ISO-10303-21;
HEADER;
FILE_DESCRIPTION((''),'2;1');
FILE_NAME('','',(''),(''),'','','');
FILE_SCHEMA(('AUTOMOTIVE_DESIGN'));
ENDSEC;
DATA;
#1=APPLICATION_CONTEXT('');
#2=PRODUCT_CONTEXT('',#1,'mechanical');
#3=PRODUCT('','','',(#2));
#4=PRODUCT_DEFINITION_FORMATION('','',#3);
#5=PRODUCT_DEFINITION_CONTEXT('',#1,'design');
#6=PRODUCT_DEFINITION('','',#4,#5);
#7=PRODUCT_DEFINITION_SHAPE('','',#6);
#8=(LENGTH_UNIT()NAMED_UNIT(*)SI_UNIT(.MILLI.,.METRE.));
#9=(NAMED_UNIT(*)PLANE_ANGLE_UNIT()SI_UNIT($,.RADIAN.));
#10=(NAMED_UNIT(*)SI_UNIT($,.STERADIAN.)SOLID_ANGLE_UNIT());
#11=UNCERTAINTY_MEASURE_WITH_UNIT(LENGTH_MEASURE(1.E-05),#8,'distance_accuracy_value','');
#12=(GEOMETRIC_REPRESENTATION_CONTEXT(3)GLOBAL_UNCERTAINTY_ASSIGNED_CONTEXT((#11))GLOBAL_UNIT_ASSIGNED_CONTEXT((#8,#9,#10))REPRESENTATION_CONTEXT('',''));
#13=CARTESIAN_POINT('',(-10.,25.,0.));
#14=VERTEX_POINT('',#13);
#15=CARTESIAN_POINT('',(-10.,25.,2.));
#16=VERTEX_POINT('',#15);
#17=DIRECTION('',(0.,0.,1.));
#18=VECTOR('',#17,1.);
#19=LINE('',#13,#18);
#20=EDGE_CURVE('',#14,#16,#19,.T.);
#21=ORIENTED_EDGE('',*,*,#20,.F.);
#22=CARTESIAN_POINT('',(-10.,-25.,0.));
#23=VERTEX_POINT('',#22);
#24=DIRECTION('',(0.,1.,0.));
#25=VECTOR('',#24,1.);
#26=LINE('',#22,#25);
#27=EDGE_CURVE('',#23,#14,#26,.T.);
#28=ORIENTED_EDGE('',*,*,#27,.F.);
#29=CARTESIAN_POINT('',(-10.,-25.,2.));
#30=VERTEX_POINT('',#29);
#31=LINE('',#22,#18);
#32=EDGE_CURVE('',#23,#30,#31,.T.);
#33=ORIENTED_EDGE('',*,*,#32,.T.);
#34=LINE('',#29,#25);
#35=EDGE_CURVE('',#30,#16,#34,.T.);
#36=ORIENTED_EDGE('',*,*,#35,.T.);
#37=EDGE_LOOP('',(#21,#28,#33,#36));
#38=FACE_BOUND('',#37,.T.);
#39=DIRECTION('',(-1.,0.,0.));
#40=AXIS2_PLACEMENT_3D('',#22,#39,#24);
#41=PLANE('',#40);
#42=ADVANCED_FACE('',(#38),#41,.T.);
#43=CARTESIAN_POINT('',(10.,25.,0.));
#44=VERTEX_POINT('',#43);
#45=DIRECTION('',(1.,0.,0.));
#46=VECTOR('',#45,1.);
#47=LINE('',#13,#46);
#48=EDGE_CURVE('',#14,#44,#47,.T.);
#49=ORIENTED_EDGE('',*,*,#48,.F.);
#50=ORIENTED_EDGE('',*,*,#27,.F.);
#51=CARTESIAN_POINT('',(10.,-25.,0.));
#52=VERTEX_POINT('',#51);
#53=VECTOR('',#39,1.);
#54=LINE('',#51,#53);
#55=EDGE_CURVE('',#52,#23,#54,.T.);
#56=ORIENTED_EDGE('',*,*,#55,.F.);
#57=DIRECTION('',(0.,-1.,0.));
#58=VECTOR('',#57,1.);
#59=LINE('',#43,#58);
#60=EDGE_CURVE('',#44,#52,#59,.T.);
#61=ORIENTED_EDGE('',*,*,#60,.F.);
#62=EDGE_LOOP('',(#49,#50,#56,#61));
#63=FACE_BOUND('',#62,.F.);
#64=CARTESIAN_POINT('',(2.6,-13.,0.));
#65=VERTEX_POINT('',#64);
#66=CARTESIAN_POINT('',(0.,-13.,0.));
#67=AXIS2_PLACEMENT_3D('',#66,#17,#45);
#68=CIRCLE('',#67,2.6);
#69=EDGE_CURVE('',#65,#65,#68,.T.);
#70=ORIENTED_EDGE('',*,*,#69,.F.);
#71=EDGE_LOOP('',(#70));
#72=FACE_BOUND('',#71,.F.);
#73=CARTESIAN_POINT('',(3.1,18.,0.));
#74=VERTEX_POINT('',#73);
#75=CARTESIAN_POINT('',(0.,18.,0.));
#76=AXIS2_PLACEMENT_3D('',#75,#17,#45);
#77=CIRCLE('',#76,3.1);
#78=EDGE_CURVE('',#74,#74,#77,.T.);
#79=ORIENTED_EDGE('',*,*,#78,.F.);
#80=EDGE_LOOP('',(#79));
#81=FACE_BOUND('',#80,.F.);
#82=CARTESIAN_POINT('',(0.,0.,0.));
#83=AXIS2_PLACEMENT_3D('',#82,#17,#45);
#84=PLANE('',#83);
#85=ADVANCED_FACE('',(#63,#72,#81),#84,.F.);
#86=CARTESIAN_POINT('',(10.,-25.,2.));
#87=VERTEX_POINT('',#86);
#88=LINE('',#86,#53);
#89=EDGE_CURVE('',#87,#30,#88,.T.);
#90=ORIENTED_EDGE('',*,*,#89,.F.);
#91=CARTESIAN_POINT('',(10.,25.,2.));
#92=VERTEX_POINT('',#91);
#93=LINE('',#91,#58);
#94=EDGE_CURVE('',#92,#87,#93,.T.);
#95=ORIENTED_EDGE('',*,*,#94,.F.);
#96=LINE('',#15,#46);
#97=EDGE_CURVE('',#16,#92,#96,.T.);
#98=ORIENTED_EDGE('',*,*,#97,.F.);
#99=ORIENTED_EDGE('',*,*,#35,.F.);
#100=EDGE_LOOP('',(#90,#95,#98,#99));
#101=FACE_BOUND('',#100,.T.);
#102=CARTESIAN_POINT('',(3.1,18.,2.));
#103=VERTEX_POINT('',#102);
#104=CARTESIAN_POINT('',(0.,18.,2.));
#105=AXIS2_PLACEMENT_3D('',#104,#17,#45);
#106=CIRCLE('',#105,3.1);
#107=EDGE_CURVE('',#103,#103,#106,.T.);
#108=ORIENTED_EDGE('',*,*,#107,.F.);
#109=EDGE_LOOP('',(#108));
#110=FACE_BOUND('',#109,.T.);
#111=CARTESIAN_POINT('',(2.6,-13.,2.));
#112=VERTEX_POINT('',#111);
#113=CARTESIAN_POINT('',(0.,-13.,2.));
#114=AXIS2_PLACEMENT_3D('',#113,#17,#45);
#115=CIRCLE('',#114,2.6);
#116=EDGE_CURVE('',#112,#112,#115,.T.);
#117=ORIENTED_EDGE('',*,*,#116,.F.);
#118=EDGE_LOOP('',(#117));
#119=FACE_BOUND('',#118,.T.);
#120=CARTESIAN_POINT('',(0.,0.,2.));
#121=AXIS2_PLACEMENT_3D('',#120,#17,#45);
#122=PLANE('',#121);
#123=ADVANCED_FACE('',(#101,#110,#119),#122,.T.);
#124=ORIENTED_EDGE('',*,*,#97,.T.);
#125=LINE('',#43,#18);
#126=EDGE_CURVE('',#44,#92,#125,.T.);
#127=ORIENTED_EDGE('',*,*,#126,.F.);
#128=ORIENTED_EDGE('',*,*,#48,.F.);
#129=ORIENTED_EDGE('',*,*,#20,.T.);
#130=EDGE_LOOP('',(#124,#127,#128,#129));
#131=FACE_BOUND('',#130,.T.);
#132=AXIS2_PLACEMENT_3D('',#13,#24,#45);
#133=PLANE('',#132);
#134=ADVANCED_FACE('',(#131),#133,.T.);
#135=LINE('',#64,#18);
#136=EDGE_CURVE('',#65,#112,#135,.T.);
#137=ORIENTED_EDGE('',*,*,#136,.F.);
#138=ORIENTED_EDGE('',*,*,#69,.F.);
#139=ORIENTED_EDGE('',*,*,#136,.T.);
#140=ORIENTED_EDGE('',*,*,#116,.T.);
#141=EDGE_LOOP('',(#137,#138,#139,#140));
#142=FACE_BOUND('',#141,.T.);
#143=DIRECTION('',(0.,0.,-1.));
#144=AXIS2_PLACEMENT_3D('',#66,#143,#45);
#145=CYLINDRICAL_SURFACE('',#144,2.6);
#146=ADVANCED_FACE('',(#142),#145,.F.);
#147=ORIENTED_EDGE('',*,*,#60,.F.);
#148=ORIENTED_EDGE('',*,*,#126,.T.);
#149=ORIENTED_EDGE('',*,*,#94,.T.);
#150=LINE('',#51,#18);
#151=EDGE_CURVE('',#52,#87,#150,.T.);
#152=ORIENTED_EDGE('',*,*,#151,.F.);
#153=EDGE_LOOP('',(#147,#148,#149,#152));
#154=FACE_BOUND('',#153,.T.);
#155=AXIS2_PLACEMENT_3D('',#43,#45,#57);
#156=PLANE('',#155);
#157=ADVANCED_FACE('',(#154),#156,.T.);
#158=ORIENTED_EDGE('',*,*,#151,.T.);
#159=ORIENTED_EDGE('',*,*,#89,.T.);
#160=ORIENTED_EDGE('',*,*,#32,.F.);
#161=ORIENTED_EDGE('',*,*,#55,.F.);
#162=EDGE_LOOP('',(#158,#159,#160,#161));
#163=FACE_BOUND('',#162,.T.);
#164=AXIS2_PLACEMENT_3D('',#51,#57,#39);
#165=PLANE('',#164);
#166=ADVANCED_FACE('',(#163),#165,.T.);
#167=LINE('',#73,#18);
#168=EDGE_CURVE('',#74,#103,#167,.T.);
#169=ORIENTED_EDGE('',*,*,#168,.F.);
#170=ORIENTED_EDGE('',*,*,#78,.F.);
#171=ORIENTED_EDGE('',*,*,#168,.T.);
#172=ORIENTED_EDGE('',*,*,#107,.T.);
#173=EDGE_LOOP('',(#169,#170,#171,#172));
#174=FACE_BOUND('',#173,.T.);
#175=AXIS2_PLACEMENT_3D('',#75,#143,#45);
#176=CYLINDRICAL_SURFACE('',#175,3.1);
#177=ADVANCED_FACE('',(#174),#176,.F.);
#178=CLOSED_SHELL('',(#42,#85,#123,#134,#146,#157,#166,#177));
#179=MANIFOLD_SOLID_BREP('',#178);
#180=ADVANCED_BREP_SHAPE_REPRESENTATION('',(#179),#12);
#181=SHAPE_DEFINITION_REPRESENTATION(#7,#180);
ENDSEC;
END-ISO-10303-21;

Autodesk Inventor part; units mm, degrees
ref_plane "YZ Plane" through (0, 0, 0) normal (1, 0, 0) x (0, 1, 0)
ref_plane "XZ Plane" through (0, 0, 0) normal (0, 1, 0) x (-1, 0, 0)
ref_plane "XY Plane" through (0, 0, 0) normal (0, 0, 1) x (1, 0, 0)
sketch "Sketch1" plane through (0, 0, 0) normal (0, 0, 1) x (1, 0, 0)
  line L0 (-10, 25) -> (10, 25)
  line L1 (10, 25) -> (10, -25)
  line L2 (10, -25) -> (-10, -25)
  line L3 (-10, -25) -> (-10, 25)
  circle A0 centre (0, -13) radius 2.6
  circle A1 centre (0, 18) radius 3.1
  point P0 (0, 0)
  dimension "d0" = 20
  dimension "d1" = 50
  dimension "d2" = 5.2
  dimension "d3" = 6.2
extrude "Extrusion1" add sketch "Sketch1" along normal blind 2
properties part number "Bed Plate Hang"
